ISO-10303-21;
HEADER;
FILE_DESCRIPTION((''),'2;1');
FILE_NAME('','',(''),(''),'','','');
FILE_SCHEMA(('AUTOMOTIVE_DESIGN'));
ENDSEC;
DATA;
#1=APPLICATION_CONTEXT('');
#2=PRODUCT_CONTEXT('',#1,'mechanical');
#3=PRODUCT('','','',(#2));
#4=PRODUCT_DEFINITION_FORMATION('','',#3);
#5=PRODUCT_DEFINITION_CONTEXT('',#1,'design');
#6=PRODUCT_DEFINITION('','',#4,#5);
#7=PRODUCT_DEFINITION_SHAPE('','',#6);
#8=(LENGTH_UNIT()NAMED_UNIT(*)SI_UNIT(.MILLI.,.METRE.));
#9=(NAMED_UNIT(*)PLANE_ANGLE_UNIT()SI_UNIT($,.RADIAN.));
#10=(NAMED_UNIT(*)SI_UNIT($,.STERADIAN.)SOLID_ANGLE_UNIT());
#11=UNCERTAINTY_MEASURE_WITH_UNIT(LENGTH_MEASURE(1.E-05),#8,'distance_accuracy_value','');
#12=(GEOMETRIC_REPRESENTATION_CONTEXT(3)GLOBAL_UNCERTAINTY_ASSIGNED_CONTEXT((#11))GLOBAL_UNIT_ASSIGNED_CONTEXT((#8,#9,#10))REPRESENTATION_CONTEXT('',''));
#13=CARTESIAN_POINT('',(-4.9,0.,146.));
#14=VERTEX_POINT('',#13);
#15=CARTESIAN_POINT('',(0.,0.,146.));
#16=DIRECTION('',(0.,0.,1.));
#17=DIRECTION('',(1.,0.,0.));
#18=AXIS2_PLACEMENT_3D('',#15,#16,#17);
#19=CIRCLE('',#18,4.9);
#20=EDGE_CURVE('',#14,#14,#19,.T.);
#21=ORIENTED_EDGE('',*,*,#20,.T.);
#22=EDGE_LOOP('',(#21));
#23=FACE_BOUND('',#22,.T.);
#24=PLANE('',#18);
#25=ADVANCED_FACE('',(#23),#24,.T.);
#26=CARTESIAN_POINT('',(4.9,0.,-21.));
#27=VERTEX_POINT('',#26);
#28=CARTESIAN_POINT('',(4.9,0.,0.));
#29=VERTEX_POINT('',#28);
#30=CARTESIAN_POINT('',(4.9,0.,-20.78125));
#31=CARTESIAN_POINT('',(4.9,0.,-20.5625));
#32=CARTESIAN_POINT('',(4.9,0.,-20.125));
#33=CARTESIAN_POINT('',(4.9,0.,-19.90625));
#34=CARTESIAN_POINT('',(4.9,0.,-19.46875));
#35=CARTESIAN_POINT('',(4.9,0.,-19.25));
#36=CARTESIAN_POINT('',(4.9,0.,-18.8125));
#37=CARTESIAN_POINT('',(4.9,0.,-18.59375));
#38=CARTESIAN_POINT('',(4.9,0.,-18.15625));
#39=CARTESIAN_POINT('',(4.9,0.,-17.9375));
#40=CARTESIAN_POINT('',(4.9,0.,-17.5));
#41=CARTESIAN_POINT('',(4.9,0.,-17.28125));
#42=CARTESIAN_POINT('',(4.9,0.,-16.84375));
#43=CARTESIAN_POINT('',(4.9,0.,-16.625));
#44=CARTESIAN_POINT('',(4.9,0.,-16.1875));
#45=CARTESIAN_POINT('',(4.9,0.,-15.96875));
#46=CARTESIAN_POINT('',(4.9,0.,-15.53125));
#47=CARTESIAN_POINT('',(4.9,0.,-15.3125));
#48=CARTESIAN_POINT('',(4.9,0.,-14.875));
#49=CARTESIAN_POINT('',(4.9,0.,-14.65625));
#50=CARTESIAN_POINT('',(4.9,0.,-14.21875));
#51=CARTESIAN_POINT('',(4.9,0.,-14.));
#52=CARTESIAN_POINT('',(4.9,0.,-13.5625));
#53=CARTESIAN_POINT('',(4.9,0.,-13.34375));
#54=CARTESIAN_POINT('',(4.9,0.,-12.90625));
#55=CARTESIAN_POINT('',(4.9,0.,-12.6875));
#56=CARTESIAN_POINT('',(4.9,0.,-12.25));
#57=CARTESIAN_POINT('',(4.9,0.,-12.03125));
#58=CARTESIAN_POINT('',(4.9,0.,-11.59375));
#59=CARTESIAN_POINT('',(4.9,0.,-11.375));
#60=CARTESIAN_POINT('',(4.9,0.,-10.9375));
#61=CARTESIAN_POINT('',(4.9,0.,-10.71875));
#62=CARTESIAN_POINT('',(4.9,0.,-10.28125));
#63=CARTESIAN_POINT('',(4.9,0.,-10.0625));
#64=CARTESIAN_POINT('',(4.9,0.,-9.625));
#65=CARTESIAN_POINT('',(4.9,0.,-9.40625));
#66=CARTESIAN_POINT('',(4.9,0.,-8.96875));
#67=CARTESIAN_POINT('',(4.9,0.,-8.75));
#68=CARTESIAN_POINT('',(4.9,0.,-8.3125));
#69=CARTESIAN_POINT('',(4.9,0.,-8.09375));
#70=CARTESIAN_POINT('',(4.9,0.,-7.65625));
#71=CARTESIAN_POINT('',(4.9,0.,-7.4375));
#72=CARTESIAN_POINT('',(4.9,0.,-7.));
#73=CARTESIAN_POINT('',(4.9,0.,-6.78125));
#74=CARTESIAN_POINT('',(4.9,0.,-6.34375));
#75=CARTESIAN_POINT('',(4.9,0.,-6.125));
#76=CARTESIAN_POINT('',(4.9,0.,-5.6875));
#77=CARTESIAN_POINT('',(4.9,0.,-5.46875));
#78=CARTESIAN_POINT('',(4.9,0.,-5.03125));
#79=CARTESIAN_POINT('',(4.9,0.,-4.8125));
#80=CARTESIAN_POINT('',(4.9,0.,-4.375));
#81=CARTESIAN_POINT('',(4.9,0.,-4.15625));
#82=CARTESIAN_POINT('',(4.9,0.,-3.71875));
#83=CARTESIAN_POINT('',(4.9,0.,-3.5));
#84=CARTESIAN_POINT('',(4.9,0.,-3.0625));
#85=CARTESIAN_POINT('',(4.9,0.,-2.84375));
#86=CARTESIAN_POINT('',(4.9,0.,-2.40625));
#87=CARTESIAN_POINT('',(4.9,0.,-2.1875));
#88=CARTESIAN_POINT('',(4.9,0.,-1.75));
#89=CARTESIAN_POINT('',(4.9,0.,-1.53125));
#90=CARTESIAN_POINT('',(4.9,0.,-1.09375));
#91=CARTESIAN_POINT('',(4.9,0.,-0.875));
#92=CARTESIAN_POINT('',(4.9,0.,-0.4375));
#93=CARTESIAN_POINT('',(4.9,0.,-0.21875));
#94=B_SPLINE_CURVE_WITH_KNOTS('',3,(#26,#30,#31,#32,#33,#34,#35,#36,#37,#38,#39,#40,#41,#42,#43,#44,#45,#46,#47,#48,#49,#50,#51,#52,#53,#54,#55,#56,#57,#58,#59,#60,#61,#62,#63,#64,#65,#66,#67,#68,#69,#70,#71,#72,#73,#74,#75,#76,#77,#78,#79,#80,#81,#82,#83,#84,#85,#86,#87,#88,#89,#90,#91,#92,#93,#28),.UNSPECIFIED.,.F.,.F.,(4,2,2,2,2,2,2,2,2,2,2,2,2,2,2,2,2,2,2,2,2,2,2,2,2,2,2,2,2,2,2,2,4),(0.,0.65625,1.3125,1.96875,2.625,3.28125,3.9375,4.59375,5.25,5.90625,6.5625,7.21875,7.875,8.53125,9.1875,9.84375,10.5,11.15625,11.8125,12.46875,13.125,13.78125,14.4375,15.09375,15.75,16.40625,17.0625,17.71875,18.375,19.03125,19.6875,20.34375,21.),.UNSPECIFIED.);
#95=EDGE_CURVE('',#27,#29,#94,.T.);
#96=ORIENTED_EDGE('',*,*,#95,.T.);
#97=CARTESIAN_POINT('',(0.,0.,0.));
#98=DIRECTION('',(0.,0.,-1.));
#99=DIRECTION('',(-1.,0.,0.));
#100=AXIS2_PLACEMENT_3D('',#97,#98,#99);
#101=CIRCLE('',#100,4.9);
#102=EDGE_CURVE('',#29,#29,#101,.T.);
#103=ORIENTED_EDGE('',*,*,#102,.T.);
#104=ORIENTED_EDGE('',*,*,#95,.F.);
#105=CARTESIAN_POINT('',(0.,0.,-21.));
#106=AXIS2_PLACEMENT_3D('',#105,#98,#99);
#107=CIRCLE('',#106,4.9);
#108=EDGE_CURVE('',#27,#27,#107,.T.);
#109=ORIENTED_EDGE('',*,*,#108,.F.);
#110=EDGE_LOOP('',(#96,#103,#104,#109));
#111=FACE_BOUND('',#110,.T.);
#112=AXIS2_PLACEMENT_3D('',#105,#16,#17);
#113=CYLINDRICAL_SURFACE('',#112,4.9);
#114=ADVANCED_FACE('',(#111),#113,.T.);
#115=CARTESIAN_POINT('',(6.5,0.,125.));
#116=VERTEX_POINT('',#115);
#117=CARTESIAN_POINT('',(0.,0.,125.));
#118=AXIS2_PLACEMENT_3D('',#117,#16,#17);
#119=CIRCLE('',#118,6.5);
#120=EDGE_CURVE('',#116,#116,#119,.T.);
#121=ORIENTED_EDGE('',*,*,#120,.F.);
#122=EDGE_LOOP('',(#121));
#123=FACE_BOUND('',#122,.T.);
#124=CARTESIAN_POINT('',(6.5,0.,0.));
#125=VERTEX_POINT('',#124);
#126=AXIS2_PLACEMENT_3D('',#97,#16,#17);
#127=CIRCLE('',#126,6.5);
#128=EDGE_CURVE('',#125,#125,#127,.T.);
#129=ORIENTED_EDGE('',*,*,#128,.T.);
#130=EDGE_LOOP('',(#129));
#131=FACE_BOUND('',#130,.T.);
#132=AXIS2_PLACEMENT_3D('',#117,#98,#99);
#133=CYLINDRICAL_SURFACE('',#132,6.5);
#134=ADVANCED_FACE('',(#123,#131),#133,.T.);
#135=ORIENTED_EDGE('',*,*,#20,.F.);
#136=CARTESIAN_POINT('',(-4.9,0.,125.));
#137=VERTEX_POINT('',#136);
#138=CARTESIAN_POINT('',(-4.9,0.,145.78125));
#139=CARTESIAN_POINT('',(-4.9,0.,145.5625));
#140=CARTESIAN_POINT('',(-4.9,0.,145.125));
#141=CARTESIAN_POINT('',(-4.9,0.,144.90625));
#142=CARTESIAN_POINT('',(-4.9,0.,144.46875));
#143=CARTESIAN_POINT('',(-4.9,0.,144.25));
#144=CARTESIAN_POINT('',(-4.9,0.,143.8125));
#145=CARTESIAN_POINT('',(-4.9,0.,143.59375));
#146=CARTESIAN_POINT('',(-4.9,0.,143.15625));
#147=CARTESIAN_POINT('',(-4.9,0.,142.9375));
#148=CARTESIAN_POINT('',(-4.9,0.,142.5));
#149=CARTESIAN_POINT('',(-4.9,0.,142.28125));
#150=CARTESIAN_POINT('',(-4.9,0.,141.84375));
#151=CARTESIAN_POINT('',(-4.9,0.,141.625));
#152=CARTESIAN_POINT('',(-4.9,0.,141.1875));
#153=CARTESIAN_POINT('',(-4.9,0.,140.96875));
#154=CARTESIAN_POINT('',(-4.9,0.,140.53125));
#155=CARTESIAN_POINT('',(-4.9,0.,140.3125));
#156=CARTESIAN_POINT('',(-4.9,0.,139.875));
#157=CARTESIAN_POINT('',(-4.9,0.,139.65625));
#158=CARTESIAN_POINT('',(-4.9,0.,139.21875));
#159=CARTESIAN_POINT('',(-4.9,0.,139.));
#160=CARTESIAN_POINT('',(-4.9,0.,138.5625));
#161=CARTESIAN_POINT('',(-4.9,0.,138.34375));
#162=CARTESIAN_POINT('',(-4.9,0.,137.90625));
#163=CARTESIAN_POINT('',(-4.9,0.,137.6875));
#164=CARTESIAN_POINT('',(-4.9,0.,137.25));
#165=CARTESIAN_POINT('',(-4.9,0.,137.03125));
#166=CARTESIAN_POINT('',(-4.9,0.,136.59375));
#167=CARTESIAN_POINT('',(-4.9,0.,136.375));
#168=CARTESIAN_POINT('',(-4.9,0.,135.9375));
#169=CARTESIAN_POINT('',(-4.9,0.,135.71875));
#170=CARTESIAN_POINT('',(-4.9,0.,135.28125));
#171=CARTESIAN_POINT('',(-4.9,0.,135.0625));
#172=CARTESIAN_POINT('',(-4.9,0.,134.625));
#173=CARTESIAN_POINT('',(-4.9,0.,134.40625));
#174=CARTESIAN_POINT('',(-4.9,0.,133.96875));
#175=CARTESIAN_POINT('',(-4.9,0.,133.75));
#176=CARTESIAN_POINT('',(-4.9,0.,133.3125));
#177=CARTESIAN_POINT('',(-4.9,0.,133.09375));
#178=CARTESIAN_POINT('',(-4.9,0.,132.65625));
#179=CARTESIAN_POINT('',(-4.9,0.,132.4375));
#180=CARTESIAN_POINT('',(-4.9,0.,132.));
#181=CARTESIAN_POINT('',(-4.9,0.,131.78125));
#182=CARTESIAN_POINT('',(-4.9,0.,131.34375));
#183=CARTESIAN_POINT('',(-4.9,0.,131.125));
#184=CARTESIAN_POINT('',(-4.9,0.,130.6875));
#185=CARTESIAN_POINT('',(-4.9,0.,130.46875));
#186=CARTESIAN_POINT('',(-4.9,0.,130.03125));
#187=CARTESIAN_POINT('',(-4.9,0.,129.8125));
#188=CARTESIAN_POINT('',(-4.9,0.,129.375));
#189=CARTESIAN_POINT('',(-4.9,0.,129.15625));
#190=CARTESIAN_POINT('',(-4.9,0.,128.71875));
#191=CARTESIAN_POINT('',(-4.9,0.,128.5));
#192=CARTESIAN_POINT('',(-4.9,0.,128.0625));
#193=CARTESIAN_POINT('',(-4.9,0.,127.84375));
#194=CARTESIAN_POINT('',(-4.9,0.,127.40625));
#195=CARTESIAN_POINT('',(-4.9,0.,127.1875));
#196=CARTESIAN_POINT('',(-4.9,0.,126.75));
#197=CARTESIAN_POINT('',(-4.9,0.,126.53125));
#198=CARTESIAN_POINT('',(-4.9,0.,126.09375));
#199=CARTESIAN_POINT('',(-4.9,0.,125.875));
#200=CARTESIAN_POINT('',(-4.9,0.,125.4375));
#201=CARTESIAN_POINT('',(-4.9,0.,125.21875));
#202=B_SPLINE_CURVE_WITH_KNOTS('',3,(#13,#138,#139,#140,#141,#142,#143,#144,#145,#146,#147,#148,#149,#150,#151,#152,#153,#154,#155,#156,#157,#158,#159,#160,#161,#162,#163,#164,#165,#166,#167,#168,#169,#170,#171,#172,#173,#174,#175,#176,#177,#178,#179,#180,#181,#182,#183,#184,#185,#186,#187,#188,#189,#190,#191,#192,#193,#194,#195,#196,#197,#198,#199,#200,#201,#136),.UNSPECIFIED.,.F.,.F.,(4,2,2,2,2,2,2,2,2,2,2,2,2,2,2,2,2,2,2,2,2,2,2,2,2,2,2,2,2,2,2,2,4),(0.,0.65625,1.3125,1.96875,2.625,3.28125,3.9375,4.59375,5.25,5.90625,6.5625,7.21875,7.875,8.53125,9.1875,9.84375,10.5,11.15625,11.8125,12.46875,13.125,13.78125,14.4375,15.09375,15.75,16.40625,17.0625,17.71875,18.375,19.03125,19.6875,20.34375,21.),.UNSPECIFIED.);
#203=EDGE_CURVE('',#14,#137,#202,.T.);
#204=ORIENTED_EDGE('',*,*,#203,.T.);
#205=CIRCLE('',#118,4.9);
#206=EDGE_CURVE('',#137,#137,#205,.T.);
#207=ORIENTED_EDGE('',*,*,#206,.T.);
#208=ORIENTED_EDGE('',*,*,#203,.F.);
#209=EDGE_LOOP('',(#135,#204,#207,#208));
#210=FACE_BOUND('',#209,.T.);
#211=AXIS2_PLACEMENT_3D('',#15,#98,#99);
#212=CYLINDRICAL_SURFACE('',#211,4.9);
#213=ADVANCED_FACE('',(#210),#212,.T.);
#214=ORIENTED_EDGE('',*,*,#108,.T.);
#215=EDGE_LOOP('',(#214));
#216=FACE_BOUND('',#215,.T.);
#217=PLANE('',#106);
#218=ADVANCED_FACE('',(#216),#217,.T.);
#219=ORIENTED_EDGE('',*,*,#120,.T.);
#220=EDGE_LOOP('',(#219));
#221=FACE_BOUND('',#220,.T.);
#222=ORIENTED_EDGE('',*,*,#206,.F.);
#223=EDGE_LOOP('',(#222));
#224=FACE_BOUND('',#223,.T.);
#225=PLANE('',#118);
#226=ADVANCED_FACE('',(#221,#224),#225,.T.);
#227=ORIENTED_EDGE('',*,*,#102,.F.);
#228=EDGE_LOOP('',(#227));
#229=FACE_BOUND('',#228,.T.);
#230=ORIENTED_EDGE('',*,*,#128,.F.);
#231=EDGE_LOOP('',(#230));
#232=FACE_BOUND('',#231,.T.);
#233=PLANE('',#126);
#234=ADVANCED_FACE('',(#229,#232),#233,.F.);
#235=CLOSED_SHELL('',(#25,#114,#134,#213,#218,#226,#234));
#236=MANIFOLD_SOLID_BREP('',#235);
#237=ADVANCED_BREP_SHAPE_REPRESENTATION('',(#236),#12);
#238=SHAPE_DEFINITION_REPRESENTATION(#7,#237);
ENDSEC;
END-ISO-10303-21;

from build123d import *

# Parameters (mm, degrees)
SKETCH_1_R      = 6.5
EXTRUDE_1_DEPTH = 125
SKETCH_2_R      = 4.9
EXTRUDE_2_DEPTH = 21
EXTRUDE_START   = 21
SKETCH_3_R      = 4.9
EXTRUDE_3_DEPTH = 21


with BuildPart() as part:
    # 草图1 → 凸台-拉伸1 (new body)
    with BuildSketch(Plane.XY):
        Circle(SKETCH_1_R)
    extrude(amount=EXTRUDE_1_DEPTH)

    # 草图2 → 凸台-拉伸2 (add)
    with BuildSketch(Plane.XY.offset(125)):
        with Locations(Location((0, 0, 0), (0, 0, 180))):
            Circle(SKETCH_2_R)
    extrude(amount=EXTRUDE_2_DEPTH)

    # 草图3 → 凸台-拉伸3 (add)
    with BuildSketch(Plane(origin=(0, 0, 0), x_dir=(-1, 0, 0), z_dir=(0, 0, -1)).offset(EXTRUDE_START)):
        Circle(SKETCH_3_R)
    extrude(amount=-EXTRUDE_3_DEPTH)


solid = part.part
